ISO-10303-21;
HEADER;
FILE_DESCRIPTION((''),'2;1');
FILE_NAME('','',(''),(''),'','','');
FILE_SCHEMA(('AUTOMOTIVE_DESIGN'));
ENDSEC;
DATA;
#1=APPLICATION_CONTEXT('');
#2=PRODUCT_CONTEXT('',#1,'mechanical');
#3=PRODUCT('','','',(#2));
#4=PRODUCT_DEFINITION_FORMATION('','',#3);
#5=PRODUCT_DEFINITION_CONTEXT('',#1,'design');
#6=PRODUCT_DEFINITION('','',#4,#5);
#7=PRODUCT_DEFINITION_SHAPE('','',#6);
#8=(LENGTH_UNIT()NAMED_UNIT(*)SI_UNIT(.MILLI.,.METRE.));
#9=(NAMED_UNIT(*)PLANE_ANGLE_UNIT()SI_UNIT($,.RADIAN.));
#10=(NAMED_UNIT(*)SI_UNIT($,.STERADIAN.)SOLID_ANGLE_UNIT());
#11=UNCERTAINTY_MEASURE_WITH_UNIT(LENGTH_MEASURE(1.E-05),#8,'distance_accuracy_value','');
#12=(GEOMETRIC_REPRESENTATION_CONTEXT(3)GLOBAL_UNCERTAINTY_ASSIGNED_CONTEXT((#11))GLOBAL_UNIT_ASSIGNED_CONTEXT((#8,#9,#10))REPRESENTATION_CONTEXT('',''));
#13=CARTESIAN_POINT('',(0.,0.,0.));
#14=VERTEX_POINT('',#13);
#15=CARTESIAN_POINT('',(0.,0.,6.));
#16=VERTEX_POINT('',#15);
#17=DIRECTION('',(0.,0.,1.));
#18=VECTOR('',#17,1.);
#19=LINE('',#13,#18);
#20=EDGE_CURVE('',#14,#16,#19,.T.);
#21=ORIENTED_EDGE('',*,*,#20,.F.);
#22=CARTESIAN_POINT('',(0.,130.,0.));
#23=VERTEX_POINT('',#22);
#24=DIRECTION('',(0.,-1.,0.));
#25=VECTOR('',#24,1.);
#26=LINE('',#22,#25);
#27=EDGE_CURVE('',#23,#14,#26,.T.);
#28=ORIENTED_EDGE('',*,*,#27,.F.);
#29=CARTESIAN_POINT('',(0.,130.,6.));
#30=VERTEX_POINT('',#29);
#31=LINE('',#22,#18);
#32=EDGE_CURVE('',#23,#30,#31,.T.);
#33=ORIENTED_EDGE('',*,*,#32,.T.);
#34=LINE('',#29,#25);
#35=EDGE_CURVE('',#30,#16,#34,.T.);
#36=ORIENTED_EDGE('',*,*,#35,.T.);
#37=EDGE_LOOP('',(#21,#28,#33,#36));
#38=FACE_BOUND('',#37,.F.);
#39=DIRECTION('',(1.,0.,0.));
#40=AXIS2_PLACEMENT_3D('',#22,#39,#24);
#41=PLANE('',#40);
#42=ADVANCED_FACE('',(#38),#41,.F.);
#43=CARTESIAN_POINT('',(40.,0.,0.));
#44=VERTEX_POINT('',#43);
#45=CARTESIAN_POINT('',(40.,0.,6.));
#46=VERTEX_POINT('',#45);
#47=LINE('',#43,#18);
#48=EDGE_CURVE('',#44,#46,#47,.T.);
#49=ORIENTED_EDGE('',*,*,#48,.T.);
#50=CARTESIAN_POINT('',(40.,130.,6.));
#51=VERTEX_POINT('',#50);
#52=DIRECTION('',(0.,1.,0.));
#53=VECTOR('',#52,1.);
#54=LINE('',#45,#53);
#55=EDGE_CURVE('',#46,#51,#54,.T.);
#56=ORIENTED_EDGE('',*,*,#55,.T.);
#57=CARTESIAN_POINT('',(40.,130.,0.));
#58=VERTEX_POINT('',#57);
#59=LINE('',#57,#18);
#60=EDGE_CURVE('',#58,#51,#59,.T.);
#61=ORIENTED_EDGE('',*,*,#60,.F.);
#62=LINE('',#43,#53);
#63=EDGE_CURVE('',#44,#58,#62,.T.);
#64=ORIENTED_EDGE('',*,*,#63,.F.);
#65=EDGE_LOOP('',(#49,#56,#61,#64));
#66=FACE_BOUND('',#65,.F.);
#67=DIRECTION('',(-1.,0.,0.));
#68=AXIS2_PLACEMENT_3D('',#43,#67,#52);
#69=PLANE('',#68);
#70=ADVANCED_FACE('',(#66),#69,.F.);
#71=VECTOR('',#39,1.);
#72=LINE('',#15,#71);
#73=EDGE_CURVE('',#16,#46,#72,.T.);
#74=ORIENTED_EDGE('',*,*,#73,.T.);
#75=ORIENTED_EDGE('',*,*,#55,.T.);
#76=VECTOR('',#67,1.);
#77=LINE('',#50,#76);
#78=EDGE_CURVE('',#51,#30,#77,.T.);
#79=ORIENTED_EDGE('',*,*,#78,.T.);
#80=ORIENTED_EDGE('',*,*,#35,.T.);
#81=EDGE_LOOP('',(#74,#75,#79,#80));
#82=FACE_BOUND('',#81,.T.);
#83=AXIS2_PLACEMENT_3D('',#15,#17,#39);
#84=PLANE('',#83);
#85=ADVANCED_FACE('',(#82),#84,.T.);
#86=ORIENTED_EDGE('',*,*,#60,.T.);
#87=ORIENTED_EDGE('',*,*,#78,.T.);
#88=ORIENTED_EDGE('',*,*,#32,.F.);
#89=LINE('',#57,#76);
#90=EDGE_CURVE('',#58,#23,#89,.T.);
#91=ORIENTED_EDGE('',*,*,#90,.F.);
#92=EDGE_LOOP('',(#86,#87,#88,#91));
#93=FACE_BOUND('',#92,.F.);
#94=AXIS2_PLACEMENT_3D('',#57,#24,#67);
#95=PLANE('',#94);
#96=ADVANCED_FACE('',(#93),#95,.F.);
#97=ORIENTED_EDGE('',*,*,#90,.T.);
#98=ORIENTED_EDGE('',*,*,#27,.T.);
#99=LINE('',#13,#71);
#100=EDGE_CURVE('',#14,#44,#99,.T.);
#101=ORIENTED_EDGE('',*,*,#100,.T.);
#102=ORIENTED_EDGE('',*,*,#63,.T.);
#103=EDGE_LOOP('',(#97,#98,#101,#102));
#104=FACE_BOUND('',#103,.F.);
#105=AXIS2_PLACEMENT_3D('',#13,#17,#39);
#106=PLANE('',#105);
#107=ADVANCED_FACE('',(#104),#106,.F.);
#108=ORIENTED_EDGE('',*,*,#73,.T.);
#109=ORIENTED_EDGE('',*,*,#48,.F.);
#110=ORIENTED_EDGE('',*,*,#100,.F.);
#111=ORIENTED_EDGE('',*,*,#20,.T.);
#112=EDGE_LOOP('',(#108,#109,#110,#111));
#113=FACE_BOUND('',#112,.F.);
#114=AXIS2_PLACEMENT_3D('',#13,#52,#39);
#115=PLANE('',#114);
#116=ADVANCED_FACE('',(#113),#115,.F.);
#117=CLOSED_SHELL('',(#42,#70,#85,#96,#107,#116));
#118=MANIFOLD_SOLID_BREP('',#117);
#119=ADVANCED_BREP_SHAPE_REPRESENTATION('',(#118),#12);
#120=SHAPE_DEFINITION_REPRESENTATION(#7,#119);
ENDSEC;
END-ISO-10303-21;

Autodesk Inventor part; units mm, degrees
ref_plane "YZ Plane" through (0, 0, 0) normal (1, 0, 0) x (0, 1, 0)
ref_plane "XZ Plane" through (0, 0, 0) normal (0, 1, 0) x (-1, 0, 0)
ref_plane "XY Plane" through (0, 0, 0) normal (0, 0, 1) x (1, 0, 0)
sketch "スケッチ1" plane through (0, 0, 0) normal (0, 0, 1) x (1, 0, 0)
  line L0 (0, 0) -> (40, 0)
  line L1 (40, 0) -> (40, 130)
  line L2 (40, 130) -> (0, 130)
  line L3 (0, 130) -> (0, 0)
  dimension "d0" = 40
  dimension "d1" = 130
extrude "押し出し1" add sketch "スケッチ1" along normal blind 6
properties part number "NHK_t0_14"
